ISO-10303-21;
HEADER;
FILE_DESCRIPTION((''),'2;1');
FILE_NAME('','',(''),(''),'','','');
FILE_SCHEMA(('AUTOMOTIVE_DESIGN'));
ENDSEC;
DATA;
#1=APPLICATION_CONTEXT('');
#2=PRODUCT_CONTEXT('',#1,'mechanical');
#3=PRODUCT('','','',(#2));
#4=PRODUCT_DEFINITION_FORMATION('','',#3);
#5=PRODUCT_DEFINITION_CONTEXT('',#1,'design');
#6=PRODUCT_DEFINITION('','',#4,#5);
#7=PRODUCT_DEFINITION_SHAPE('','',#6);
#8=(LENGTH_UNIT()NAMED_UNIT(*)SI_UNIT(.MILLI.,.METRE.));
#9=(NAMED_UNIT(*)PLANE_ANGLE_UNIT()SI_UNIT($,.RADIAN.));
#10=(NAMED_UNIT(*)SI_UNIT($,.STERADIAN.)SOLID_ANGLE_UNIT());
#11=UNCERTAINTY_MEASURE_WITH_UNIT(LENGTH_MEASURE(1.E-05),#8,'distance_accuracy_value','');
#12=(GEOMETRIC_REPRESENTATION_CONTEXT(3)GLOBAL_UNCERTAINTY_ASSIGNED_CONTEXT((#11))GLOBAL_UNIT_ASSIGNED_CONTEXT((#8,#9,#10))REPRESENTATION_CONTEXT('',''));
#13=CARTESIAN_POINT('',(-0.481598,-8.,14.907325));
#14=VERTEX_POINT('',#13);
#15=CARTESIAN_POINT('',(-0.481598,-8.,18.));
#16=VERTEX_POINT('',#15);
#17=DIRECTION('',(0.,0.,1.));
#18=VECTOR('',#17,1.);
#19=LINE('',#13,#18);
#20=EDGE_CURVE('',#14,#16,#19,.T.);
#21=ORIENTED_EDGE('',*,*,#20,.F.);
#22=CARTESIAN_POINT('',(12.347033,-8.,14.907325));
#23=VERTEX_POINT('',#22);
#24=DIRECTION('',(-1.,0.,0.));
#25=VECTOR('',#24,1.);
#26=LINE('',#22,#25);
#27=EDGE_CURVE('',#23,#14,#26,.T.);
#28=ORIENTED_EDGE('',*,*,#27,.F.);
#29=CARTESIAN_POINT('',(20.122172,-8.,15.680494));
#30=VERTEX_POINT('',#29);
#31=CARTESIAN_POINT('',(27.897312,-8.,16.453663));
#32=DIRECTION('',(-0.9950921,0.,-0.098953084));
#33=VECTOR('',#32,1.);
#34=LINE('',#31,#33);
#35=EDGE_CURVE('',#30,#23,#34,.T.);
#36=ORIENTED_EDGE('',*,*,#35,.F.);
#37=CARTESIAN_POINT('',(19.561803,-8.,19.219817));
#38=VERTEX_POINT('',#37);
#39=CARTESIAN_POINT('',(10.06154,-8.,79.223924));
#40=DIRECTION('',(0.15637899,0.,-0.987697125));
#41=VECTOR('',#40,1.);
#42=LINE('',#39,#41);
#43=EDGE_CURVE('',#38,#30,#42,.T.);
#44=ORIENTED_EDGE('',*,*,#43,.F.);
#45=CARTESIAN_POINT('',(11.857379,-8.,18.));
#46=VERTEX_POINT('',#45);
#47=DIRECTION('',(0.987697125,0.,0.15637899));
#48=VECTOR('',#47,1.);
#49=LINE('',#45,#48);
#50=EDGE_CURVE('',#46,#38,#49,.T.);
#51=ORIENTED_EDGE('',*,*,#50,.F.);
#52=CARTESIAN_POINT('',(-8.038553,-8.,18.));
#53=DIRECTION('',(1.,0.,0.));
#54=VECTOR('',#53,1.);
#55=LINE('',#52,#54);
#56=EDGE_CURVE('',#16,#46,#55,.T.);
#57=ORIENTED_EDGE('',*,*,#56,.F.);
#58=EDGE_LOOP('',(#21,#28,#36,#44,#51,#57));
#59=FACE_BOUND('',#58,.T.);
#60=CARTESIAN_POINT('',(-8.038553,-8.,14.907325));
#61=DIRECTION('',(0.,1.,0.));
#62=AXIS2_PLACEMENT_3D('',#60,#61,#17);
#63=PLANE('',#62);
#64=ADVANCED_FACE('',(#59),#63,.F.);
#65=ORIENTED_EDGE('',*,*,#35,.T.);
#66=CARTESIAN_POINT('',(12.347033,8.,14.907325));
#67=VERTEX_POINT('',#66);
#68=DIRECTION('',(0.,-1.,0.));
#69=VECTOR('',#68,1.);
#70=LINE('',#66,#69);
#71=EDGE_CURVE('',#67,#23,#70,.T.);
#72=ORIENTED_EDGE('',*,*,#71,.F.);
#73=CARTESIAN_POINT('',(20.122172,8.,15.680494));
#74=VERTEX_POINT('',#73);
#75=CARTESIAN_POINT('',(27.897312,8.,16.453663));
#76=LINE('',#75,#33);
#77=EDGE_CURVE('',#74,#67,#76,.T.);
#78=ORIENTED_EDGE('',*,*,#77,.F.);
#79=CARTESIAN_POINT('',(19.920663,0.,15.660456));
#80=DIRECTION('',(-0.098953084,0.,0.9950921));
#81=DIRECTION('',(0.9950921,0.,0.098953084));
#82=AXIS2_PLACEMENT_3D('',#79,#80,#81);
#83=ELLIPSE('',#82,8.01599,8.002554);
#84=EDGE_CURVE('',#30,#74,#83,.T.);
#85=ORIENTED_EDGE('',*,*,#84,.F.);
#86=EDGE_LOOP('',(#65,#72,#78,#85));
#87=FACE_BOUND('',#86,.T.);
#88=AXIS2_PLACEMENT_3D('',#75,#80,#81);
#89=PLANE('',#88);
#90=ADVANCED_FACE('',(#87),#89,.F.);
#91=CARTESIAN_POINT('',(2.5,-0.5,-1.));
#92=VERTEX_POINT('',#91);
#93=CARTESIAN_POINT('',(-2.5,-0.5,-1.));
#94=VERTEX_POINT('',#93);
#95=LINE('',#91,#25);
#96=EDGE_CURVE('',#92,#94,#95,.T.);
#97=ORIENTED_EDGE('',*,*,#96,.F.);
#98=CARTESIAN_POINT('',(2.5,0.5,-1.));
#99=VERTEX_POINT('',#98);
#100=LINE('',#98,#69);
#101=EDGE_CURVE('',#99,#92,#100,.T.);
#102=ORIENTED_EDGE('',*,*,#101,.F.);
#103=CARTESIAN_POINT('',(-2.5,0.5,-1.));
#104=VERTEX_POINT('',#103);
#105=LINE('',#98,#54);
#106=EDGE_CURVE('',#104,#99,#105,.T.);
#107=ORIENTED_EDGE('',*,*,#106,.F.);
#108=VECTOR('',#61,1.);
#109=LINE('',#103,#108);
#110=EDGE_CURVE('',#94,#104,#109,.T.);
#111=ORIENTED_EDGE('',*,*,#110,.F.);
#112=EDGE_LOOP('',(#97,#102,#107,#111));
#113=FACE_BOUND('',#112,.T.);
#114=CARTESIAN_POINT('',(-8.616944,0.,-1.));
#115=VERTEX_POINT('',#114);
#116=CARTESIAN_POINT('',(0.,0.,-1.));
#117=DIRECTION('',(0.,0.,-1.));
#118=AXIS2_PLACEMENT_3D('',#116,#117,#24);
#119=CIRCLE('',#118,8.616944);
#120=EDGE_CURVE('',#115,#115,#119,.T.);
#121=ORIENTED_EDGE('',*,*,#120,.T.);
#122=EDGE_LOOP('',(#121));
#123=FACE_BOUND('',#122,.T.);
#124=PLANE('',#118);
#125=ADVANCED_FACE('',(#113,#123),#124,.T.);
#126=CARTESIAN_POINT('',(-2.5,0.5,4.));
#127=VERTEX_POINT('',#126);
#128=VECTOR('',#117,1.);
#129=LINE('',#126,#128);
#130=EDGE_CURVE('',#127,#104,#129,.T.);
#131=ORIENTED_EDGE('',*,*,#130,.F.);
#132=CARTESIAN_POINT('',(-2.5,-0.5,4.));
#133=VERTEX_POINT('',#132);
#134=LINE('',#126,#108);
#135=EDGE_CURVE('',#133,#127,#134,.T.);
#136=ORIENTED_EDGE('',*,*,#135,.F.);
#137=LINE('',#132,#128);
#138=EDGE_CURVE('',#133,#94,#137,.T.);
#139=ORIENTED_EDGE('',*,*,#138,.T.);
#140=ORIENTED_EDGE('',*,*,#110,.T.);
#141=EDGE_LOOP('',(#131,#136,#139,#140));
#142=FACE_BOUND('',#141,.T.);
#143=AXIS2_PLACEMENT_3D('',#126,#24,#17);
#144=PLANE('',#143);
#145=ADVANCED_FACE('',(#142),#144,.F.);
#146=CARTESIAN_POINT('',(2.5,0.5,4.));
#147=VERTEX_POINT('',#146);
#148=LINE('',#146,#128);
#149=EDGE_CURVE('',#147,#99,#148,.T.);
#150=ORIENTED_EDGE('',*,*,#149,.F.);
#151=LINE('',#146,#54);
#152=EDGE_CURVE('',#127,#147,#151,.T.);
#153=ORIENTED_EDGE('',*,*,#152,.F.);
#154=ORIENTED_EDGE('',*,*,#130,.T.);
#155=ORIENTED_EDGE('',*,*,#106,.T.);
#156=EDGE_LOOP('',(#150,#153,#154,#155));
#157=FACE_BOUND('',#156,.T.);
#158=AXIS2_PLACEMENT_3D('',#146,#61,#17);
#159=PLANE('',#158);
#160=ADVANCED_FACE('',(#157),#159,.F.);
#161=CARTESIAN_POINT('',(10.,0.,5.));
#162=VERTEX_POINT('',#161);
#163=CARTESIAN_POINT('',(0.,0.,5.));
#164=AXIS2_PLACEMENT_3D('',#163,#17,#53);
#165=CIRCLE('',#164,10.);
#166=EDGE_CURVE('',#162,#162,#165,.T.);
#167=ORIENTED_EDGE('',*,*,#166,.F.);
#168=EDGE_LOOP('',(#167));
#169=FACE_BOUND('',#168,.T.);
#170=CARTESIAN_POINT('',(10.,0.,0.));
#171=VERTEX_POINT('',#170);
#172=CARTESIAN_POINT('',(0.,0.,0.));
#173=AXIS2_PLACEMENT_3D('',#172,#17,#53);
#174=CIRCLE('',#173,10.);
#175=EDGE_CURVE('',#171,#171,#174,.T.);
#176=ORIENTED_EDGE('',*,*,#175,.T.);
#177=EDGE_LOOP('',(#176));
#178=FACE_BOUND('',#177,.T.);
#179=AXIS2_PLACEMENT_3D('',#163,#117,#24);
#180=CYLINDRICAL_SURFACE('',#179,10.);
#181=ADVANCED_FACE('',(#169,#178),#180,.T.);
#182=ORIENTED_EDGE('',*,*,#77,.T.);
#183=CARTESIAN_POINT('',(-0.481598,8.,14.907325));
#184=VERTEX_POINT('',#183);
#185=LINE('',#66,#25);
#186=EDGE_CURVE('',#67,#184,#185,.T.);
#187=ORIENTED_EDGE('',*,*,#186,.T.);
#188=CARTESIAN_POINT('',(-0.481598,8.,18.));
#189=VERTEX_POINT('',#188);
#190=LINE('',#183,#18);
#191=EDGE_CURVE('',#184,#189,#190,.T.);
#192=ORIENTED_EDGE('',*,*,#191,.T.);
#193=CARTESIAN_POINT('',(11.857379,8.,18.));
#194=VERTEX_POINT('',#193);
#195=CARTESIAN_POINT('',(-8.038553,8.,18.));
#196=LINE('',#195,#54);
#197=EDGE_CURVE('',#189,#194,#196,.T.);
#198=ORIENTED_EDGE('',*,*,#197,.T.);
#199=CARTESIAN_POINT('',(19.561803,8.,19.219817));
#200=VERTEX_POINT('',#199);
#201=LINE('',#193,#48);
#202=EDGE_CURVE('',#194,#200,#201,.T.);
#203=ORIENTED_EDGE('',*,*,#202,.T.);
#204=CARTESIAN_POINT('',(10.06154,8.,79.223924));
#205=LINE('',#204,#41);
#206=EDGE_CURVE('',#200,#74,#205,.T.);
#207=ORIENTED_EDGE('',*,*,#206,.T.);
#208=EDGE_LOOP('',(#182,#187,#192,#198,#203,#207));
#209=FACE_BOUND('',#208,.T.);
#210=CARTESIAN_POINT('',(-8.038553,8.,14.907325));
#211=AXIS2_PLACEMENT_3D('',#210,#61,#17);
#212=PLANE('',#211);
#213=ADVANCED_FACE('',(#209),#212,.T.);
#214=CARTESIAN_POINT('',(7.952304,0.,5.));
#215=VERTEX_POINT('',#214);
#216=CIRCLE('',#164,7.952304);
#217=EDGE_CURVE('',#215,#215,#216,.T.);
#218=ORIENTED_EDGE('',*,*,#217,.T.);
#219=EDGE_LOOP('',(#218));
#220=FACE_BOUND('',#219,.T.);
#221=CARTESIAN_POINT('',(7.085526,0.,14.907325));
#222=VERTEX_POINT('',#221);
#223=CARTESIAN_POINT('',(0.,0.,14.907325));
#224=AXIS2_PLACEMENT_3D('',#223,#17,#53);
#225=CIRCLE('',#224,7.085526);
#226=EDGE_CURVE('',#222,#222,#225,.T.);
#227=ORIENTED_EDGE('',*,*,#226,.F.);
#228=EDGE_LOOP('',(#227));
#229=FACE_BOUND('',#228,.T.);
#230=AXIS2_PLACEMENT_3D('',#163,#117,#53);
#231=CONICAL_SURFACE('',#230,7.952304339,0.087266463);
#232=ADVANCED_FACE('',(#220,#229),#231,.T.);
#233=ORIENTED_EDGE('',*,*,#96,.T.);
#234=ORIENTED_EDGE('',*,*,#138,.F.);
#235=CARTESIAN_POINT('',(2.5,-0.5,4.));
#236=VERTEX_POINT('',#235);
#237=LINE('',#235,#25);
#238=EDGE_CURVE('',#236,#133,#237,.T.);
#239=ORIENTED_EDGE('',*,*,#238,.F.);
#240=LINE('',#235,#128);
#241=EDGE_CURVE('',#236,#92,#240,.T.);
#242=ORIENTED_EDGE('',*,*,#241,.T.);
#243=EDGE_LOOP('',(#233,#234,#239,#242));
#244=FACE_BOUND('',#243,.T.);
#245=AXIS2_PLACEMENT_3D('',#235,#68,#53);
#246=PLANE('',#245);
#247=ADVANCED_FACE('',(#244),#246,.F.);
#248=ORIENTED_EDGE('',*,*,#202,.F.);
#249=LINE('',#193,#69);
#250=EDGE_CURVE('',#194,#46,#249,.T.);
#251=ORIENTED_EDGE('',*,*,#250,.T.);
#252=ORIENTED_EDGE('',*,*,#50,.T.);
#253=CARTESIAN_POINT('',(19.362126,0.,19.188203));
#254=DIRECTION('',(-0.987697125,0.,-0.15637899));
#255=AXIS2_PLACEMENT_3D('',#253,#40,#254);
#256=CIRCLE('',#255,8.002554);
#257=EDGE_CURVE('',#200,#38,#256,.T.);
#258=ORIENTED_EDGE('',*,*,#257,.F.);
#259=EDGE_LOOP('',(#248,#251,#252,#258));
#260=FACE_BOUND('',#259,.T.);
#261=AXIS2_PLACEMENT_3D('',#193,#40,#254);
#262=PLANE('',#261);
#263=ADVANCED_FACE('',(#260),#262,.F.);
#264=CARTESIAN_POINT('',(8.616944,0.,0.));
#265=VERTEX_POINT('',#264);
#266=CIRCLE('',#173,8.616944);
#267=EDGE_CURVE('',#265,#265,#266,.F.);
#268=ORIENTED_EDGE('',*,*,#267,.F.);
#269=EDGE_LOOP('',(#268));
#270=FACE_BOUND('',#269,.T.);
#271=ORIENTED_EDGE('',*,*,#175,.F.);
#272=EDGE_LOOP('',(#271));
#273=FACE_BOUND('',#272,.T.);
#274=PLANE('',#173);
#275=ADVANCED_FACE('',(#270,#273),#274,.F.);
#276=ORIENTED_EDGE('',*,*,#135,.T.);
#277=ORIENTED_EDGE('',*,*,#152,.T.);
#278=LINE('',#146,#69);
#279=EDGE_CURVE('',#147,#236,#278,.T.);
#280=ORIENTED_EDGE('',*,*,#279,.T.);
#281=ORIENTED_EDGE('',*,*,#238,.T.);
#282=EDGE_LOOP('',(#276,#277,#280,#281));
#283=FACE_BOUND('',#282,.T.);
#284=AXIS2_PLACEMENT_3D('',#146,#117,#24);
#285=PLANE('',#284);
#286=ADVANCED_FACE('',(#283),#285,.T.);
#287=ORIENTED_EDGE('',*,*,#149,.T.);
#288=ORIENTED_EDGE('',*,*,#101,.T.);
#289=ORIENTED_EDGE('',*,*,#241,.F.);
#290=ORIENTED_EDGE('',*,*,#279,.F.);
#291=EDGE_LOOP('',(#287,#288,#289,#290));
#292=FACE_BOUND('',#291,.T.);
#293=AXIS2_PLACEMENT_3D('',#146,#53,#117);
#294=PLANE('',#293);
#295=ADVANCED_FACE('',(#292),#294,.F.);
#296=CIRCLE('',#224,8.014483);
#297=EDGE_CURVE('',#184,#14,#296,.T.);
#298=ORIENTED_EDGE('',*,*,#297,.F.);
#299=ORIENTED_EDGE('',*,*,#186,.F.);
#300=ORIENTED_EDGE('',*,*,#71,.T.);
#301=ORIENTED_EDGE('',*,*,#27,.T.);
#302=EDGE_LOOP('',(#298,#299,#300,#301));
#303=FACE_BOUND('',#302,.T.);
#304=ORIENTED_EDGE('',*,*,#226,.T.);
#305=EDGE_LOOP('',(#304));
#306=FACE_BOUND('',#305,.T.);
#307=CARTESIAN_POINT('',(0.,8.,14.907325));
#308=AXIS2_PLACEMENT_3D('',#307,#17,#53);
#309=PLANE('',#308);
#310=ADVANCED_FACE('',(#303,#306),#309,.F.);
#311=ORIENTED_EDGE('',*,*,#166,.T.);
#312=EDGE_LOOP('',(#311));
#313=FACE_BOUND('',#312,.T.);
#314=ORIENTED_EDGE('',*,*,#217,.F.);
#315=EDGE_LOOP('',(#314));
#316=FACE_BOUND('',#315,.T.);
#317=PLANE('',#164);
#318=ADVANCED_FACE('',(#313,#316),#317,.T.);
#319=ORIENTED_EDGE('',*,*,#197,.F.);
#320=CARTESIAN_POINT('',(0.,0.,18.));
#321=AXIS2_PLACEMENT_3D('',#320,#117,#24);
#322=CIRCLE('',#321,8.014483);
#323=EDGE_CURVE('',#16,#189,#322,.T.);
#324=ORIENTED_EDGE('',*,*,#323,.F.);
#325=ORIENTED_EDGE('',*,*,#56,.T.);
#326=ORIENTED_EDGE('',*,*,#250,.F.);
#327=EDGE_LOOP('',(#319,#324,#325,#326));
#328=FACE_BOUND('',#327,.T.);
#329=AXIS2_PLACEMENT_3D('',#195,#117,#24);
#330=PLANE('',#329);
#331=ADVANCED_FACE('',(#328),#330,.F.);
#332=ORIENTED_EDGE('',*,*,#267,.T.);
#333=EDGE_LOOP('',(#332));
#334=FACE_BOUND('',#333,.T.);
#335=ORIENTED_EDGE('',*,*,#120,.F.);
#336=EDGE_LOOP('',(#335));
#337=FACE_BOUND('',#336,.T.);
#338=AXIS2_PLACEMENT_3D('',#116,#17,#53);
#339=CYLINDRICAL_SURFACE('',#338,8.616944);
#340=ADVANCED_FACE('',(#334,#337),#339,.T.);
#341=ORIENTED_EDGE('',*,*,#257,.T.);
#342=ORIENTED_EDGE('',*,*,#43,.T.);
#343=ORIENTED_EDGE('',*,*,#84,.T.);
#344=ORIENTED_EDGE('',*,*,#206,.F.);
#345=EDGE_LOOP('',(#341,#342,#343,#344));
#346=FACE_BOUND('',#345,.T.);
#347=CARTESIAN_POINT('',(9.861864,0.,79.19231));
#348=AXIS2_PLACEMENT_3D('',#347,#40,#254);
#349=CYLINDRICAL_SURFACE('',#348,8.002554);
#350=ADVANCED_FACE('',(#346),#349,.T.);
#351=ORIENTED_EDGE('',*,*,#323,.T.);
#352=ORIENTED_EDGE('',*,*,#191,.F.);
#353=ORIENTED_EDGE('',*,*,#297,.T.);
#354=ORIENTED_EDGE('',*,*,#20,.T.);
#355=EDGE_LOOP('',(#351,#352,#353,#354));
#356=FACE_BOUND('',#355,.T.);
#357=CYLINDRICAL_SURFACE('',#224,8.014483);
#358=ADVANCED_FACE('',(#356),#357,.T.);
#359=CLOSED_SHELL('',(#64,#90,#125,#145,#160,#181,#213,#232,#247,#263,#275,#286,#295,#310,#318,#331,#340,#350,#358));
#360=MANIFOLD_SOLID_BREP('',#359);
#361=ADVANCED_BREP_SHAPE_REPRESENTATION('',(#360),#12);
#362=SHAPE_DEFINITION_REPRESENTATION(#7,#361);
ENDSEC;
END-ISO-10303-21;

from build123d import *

# Parameters (mm, degrees)
SKETCH_1_R               = 10
EXTRUDE_1_DEPTH          = 5
SKETCH_2_R               = 7.952304339
EXTRUDE_2_DEPTH          = 10
EXTRUDE_2_TAPER          = 5
EXTRUDE_3_DEPTH          = 8
EXTRUDE_3_DEPTH_BACK     = 8
CUT_EXTRUDE_3_DEPTH      = 34.173609497
CUT_EXTRUDE_4_DEPTH      = 36.648067297
CUT_EXTRUDE_4_DEPTH_BACK = 36.648067297
SKETCH_12_R              = 8.616944053
EXTRUDE_4_DEPTH          = 1
SKETCH_13_W              = 5
SKETCH_13_H              = 1
CUT_EXTRUDE_5_DEPTH      = 5


with BuildPart() as part:
    # 草图1 → 拉伸1 (new body)
    with BuildSketch(Plane.XY):
        Circle(SKETCH_1_R)
    extrude(amount=EXTRUDE_1_DEPTH)

    # 草图2 → 拉伸2 (add)
    with BuildSketch(Plane.XY.offset(5)):
        Circle(SKETCH_2_R)
    extrude(amount=EXTRUDE_2_DEPTH, taper=EXTRUDE_2_TAPER)

    # 草图6 → 拉伸3 (add, two sides: drawn at the far end of the back side and taken through both)
    with BuildSketch(Plane(origin=(0, 0, 0), x_dir=(1, 0, 0), z_dir=(0, 1, 0)).offset(-EXTRUDE_3_DEPTH_BACK)):
        Polygon((0, -14.907325308), (-8.038553131, -14.907325308), (-8.038553131, -18), (11.857379423, -18), (27.26622564, -20.43963433), (27.897312043, -16.453662654), (12.347032914, -14.907325308), align=None)
    extrude(amount=EXTRUDE_3_DEPTH + EXTRUDE_3_DEPTH_BACK)

    # 草图10 → 切除-拉伸3 (cut, through all)
    with BuildSketch(Plane(origin=(0, 0, 14.907325308), x_dir=(-1, 0, 0), z_dir=(0, 0, -1))):
        with BuildLine():
            Line((8.038553131, 8), (0.481598082, 8))
            ThreePointArc((0.481598082, 8), (8.014482935, 0), (0.481598082, -8))
            Line((0.481598082, -8), (8.038553131, -8))
            Line((8.038553131, -8), (8.038553131, 8))
        make_face()
    extrude(amount=-CUT_EXTRUDE_3_DEPTH, mode=Mode.SUBTRACT)

    # 草图11 → 切除-拉伸4 (cut, two sides: drawn at the far end of the back side and taken through both)
    with BuildSketch(Plane(origin=(-2.490226462, 0, 15.728388526), x_dir=(0.9876971253210124, 0, 0.15637899038108757), z_dir=(-0.15637899038108757, 0, 0.9876971253210124)).offset(-CUT_EXTRUDE_4_DEPTH_BACK)):
        with BuildLine():
            Line((30.127102063, 8), (22.32671173, 8))
            ThreePointArc((22.32671173, 8), (27.854238113, 5.586727337), (30.127102063, 0))
            Line((30.127102063, 0), (30.127102063, 8))
        make_face()
        with BuildLine():
            Line((30.127102063, -8), (30.127102063, 0))
            ThreePointArc((30.127102063, 0), (27.854238113, -5.586727337), (22.32671173, -8))
            Line((22.32671173, -8), (30.127102063, -8))
        make_face()
    extrude(amount=CUT_EXTRUDE_4_DEPTH + CUT_EXTRUDE_4_DEPTH_BACK, mode=Mode.SUBTRACT)

    # 草图12 → 拉伸4 (add)
    with BuildSketch(Plane(origin=(0, 0, 0), x_dir=(-1, 0, 0), z_dir=(0, 0, -1))):
        with Locations(Location((0, 0, 0), (0, 0, 180))):
            Circle(SKETCH_12_R)
    extrude(amount=EXTRUDE_4_DEPTH)

    # 草图13 → 切除-拉伸5 (cut)
    with BuildSketch(Plane(origin=(0, 0, -1), x_dir=(-1, 0, 0), z_dir=(0, 0, -1))):
        Rectangle(SKETCH_13_W, SKETCH_13_H)
    extrude(amount=-CUT_EXTRUDE_5_DEPTH, mode=Mode.SUBTRACT)


solid = part.part
